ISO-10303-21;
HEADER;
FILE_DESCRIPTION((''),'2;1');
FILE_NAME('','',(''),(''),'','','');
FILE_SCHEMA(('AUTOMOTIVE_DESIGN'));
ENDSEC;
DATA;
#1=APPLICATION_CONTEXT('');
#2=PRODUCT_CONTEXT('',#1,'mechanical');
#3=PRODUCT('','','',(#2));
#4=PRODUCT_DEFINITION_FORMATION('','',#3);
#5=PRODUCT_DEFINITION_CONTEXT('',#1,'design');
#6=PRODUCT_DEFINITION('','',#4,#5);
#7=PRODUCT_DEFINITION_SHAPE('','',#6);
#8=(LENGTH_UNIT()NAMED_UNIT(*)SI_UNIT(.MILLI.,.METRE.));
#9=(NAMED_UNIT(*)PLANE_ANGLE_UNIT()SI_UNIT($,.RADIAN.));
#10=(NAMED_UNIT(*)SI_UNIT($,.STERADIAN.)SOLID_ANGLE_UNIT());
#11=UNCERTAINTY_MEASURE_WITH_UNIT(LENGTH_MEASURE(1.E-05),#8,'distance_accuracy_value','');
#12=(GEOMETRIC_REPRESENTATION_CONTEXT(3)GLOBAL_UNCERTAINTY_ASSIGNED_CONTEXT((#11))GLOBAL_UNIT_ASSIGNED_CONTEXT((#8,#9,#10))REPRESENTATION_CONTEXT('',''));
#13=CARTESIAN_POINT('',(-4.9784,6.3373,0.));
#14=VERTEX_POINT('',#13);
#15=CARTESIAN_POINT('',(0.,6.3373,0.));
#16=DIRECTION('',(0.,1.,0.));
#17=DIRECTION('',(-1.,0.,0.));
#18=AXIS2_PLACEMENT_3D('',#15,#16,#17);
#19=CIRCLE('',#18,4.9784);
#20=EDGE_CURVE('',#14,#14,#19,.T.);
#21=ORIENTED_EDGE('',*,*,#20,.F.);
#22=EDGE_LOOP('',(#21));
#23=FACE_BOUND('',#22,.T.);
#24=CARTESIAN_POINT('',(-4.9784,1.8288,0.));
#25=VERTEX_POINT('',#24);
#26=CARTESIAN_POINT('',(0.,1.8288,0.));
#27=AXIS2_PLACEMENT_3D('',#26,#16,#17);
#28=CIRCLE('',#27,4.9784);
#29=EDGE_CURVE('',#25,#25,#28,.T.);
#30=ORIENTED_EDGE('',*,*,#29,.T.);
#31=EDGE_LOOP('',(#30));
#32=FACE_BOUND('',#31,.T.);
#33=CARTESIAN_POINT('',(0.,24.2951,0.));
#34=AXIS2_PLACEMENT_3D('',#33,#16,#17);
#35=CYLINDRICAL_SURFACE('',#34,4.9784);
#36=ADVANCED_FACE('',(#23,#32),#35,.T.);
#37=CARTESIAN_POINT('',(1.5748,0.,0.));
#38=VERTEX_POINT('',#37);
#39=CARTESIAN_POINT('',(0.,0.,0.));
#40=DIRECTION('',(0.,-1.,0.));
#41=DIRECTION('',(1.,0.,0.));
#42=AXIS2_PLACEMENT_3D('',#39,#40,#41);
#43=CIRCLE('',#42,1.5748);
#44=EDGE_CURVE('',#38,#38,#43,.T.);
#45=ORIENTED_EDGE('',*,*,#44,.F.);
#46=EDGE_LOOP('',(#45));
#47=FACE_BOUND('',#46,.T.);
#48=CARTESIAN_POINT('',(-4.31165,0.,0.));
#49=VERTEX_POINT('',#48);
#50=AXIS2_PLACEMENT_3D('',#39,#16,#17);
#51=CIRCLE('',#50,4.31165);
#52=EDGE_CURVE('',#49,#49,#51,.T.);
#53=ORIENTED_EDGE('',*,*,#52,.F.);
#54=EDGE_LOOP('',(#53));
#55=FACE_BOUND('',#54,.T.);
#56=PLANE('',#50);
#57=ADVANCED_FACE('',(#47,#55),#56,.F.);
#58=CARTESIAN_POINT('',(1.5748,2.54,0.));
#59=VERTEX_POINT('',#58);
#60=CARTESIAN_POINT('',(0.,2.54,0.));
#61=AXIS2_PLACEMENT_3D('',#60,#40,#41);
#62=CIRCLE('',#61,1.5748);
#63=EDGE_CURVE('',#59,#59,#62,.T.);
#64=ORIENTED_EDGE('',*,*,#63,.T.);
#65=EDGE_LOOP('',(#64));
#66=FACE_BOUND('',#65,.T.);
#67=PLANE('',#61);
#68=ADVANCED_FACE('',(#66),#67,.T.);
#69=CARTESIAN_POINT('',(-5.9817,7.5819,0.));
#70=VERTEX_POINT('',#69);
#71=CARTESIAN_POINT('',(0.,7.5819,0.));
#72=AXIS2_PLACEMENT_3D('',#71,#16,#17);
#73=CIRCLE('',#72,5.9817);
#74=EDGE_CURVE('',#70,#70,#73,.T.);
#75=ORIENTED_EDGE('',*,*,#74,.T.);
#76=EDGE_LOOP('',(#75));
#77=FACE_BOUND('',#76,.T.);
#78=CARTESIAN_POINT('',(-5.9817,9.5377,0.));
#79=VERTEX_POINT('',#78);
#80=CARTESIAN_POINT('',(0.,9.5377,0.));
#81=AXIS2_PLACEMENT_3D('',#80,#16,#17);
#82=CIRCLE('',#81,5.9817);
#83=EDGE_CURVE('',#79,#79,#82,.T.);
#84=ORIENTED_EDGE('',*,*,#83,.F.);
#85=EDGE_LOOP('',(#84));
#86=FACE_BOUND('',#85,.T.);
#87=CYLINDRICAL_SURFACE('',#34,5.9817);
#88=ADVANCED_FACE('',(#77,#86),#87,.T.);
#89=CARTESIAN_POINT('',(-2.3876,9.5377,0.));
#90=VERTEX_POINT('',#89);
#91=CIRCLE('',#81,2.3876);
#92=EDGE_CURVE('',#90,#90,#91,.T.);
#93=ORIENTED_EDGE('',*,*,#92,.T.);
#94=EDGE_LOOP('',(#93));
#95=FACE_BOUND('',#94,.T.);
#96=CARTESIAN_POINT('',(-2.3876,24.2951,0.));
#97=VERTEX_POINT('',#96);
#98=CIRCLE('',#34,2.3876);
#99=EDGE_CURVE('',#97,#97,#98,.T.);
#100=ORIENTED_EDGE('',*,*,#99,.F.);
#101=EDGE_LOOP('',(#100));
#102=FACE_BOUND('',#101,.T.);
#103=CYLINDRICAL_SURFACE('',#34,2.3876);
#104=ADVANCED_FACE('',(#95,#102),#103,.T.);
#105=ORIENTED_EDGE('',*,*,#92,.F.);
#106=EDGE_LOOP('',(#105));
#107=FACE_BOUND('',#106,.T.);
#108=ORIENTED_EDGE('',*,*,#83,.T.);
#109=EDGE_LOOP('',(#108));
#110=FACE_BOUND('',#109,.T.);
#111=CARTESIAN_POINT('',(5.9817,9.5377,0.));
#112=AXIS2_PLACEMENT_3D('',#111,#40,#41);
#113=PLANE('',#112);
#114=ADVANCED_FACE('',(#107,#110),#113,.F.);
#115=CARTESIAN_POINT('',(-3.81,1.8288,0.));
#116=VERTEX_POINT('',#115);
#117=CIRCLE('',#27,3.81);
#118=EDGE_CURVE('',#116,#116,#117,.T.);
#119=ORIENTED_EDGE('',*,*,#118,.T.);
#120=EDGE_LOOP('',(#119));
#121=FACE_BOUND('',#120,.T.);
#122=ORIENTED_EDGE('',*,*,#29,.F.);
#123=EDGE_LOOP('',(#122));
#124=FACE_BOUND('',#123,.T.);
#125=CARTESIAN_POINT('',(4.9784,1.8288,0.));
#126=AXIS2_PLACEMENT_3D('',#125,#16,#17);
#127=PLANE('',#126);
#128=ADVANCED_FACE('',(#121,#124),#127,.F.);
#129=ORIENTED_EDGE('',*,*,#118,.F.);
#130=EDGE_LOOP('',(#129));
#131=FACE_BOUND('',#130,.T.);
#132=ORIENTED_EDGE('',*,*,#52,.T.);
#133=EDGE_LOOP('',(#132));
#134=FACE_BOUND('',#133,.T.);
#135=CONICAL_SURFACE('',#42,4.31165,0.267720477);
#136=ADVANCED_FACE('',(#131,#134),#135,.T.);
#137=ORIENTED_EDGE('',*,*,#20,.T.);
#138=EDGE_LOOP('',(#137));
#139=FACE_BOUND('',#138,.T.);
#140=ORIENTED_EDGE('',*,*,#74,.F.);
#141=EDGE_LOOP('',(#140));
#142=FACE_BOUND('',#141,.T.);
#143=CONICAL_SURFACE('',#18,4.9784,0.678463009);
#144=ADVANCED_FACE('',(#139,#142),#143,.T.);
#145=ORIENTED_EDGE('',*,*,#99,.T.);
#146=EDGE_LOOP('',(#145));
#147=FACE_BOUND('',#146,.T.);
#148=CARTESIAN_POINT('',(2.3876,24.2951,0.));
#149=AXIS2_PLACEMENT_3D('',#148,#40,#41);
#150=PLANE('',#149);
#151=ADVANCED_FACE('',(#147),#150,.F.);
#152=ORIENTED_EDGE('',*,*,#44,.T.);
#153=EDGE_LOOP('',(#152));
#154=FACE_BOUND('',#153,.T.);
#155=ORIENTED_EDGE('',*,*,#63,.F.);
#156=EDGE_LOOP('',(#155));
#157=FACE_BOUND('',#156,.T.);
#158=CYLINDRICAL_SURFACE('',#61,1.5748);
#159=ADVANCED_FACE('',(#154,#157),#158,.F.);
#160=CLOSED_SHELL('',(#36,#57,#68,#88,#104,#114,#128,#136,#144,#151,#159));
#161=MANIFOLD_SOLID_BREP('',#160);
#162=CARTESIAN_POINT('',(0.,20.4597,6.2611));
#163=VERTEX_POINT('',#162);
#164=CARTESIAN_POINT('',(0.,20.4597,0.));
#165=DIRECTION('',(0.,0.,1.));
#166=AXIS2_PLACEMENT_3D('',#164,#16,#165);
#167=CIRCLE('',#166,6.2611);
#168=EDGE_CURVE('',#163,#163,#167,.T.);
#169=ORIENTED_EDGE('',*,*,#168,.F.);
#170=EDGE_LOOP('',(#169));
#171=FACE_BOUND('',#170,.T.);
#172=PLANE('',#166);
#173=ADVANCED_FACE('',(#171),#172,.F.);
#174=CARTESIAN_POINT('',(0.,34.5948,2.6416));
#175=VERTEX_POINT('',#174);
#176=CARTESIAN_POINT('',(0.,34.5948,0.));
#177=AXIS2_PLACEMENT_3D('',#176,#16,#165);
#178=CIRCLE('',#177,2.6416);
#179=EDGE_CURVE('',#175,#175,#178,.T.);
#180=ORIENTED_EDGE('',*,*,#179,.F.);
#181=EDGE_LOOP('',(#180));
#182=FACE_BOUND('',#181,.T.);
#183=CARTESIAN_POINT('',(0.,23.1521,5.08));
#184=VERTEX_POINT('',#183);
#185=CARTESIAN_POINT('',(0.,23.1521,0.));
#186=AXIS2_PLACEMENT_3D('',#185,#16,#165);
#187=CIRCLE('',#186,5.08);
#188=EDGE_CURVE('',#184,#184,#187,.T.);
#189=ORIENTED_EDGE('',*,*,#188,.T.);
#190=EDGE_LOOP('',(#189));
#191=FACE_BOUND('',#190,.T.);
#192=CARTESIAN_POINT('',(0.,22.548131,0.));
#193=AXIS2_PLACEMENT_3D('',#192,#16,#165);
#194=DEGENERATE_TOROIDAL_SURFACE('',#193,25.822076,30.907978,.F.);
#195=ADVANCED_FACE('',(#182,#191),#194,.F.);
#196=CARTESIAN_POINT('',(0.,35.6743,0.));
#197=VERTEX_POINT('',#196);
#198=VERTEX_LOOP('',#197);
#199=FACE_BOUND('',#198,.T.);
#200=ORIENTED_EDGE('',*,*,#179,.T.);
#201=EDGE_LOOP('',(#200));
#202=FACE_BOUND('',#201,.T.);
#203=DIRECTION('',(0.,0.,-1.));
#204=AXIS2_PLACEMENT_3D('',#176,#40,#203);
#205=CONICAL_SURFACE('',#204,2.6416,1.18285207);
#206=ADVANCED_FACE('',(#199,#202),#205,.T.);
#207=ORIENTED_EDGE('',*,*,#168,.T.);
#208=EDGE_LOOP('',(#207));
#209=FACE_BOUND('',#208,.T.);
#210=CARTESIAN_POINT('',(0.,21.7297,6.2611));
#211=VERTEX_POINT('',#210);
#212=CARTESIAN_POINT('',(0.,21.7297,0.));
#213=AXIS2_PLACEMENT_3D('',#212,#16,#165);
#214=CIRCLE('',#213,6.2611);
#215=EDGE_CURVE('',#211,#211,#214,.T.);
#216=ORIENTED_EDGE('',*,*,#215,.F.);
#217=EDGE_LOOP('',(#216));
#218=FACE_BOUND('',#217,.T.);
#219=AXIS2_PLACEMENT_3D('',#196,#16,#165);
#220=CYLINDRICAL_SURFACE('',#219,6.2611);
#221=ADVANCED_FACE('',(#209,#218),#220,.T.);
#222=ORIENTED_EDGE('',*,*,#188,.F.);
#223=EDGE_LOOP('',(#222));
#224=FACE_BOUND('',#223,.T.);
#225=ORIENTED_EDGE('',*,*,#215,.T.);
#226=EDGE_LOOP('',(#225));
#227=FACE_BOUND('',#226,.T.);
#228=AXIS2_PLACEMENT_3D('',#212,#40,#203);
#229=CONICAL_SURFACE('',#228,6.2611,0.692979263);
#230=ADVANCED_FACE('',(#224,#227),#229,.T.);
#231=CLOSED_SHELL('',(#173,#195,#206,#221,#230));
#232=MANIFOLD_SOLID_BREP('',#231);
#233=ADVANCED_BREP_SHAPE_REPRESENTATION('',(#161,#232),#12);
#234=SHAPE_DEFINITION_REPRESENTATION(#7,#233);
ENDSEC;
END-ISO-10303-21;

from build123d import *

# Parameters (mm, degrees)
SKETCH2_R          = 1.5748
CUT_EXTRUDE1_DEPTH = 2.54


with BuildPart() as part:
    # Sketch1 → Revolve1 (revolve)
    with BuildSketch(Plane.XY):
        Polygon((0, 0), (4.31165, 0), (3.81, 1.8288), (4.9784, 1.8288), (4.9784, 6.3373), (5.9817, 7.5819), (5.9817, 9.5377), (2.3876, 9.5377), (2.3876, 24.2951), (0, 24.2951), align=None)
    revolve(axis=Axis((0, 24.2951, 0), (0, -1, 0)))

    # Sketch2 → Cut-Extrude1 (cut)
    with BuildSketch(Plane.XZ):
        Circle(SKETCH2_R)
    extrude(amount=-CUT_EXTRUDE1_DEPTH, mode=Mode.SUBTRACT)


with BuildPart() as body_2:
    # Sketch3 → Revolve2 (revolve)
    with BuildSketch(Plane.XY):
        with BuildLine():
            Line((0, 35.6743), (2.6416, 34.5948))
            ThreePointArc((2.6416, 34.5948), (4.407164368, 28.989878367), (5.08, 23.1521))
            Line((5.08, 23.1521), (6.2611, 21.7297))
            Line((6.2611, 21.7297), (6.2611, 20.4597))
            Line((6.2611, 20.4597), (0, 20.4597))
            Line((0, 20.4597), (0, 35.6743))
        make_face()
    revolve(axis=Axis((0, 35.6743, 0), (0, -1, 0)))


solid = Compound([part.part, body_2.part])
